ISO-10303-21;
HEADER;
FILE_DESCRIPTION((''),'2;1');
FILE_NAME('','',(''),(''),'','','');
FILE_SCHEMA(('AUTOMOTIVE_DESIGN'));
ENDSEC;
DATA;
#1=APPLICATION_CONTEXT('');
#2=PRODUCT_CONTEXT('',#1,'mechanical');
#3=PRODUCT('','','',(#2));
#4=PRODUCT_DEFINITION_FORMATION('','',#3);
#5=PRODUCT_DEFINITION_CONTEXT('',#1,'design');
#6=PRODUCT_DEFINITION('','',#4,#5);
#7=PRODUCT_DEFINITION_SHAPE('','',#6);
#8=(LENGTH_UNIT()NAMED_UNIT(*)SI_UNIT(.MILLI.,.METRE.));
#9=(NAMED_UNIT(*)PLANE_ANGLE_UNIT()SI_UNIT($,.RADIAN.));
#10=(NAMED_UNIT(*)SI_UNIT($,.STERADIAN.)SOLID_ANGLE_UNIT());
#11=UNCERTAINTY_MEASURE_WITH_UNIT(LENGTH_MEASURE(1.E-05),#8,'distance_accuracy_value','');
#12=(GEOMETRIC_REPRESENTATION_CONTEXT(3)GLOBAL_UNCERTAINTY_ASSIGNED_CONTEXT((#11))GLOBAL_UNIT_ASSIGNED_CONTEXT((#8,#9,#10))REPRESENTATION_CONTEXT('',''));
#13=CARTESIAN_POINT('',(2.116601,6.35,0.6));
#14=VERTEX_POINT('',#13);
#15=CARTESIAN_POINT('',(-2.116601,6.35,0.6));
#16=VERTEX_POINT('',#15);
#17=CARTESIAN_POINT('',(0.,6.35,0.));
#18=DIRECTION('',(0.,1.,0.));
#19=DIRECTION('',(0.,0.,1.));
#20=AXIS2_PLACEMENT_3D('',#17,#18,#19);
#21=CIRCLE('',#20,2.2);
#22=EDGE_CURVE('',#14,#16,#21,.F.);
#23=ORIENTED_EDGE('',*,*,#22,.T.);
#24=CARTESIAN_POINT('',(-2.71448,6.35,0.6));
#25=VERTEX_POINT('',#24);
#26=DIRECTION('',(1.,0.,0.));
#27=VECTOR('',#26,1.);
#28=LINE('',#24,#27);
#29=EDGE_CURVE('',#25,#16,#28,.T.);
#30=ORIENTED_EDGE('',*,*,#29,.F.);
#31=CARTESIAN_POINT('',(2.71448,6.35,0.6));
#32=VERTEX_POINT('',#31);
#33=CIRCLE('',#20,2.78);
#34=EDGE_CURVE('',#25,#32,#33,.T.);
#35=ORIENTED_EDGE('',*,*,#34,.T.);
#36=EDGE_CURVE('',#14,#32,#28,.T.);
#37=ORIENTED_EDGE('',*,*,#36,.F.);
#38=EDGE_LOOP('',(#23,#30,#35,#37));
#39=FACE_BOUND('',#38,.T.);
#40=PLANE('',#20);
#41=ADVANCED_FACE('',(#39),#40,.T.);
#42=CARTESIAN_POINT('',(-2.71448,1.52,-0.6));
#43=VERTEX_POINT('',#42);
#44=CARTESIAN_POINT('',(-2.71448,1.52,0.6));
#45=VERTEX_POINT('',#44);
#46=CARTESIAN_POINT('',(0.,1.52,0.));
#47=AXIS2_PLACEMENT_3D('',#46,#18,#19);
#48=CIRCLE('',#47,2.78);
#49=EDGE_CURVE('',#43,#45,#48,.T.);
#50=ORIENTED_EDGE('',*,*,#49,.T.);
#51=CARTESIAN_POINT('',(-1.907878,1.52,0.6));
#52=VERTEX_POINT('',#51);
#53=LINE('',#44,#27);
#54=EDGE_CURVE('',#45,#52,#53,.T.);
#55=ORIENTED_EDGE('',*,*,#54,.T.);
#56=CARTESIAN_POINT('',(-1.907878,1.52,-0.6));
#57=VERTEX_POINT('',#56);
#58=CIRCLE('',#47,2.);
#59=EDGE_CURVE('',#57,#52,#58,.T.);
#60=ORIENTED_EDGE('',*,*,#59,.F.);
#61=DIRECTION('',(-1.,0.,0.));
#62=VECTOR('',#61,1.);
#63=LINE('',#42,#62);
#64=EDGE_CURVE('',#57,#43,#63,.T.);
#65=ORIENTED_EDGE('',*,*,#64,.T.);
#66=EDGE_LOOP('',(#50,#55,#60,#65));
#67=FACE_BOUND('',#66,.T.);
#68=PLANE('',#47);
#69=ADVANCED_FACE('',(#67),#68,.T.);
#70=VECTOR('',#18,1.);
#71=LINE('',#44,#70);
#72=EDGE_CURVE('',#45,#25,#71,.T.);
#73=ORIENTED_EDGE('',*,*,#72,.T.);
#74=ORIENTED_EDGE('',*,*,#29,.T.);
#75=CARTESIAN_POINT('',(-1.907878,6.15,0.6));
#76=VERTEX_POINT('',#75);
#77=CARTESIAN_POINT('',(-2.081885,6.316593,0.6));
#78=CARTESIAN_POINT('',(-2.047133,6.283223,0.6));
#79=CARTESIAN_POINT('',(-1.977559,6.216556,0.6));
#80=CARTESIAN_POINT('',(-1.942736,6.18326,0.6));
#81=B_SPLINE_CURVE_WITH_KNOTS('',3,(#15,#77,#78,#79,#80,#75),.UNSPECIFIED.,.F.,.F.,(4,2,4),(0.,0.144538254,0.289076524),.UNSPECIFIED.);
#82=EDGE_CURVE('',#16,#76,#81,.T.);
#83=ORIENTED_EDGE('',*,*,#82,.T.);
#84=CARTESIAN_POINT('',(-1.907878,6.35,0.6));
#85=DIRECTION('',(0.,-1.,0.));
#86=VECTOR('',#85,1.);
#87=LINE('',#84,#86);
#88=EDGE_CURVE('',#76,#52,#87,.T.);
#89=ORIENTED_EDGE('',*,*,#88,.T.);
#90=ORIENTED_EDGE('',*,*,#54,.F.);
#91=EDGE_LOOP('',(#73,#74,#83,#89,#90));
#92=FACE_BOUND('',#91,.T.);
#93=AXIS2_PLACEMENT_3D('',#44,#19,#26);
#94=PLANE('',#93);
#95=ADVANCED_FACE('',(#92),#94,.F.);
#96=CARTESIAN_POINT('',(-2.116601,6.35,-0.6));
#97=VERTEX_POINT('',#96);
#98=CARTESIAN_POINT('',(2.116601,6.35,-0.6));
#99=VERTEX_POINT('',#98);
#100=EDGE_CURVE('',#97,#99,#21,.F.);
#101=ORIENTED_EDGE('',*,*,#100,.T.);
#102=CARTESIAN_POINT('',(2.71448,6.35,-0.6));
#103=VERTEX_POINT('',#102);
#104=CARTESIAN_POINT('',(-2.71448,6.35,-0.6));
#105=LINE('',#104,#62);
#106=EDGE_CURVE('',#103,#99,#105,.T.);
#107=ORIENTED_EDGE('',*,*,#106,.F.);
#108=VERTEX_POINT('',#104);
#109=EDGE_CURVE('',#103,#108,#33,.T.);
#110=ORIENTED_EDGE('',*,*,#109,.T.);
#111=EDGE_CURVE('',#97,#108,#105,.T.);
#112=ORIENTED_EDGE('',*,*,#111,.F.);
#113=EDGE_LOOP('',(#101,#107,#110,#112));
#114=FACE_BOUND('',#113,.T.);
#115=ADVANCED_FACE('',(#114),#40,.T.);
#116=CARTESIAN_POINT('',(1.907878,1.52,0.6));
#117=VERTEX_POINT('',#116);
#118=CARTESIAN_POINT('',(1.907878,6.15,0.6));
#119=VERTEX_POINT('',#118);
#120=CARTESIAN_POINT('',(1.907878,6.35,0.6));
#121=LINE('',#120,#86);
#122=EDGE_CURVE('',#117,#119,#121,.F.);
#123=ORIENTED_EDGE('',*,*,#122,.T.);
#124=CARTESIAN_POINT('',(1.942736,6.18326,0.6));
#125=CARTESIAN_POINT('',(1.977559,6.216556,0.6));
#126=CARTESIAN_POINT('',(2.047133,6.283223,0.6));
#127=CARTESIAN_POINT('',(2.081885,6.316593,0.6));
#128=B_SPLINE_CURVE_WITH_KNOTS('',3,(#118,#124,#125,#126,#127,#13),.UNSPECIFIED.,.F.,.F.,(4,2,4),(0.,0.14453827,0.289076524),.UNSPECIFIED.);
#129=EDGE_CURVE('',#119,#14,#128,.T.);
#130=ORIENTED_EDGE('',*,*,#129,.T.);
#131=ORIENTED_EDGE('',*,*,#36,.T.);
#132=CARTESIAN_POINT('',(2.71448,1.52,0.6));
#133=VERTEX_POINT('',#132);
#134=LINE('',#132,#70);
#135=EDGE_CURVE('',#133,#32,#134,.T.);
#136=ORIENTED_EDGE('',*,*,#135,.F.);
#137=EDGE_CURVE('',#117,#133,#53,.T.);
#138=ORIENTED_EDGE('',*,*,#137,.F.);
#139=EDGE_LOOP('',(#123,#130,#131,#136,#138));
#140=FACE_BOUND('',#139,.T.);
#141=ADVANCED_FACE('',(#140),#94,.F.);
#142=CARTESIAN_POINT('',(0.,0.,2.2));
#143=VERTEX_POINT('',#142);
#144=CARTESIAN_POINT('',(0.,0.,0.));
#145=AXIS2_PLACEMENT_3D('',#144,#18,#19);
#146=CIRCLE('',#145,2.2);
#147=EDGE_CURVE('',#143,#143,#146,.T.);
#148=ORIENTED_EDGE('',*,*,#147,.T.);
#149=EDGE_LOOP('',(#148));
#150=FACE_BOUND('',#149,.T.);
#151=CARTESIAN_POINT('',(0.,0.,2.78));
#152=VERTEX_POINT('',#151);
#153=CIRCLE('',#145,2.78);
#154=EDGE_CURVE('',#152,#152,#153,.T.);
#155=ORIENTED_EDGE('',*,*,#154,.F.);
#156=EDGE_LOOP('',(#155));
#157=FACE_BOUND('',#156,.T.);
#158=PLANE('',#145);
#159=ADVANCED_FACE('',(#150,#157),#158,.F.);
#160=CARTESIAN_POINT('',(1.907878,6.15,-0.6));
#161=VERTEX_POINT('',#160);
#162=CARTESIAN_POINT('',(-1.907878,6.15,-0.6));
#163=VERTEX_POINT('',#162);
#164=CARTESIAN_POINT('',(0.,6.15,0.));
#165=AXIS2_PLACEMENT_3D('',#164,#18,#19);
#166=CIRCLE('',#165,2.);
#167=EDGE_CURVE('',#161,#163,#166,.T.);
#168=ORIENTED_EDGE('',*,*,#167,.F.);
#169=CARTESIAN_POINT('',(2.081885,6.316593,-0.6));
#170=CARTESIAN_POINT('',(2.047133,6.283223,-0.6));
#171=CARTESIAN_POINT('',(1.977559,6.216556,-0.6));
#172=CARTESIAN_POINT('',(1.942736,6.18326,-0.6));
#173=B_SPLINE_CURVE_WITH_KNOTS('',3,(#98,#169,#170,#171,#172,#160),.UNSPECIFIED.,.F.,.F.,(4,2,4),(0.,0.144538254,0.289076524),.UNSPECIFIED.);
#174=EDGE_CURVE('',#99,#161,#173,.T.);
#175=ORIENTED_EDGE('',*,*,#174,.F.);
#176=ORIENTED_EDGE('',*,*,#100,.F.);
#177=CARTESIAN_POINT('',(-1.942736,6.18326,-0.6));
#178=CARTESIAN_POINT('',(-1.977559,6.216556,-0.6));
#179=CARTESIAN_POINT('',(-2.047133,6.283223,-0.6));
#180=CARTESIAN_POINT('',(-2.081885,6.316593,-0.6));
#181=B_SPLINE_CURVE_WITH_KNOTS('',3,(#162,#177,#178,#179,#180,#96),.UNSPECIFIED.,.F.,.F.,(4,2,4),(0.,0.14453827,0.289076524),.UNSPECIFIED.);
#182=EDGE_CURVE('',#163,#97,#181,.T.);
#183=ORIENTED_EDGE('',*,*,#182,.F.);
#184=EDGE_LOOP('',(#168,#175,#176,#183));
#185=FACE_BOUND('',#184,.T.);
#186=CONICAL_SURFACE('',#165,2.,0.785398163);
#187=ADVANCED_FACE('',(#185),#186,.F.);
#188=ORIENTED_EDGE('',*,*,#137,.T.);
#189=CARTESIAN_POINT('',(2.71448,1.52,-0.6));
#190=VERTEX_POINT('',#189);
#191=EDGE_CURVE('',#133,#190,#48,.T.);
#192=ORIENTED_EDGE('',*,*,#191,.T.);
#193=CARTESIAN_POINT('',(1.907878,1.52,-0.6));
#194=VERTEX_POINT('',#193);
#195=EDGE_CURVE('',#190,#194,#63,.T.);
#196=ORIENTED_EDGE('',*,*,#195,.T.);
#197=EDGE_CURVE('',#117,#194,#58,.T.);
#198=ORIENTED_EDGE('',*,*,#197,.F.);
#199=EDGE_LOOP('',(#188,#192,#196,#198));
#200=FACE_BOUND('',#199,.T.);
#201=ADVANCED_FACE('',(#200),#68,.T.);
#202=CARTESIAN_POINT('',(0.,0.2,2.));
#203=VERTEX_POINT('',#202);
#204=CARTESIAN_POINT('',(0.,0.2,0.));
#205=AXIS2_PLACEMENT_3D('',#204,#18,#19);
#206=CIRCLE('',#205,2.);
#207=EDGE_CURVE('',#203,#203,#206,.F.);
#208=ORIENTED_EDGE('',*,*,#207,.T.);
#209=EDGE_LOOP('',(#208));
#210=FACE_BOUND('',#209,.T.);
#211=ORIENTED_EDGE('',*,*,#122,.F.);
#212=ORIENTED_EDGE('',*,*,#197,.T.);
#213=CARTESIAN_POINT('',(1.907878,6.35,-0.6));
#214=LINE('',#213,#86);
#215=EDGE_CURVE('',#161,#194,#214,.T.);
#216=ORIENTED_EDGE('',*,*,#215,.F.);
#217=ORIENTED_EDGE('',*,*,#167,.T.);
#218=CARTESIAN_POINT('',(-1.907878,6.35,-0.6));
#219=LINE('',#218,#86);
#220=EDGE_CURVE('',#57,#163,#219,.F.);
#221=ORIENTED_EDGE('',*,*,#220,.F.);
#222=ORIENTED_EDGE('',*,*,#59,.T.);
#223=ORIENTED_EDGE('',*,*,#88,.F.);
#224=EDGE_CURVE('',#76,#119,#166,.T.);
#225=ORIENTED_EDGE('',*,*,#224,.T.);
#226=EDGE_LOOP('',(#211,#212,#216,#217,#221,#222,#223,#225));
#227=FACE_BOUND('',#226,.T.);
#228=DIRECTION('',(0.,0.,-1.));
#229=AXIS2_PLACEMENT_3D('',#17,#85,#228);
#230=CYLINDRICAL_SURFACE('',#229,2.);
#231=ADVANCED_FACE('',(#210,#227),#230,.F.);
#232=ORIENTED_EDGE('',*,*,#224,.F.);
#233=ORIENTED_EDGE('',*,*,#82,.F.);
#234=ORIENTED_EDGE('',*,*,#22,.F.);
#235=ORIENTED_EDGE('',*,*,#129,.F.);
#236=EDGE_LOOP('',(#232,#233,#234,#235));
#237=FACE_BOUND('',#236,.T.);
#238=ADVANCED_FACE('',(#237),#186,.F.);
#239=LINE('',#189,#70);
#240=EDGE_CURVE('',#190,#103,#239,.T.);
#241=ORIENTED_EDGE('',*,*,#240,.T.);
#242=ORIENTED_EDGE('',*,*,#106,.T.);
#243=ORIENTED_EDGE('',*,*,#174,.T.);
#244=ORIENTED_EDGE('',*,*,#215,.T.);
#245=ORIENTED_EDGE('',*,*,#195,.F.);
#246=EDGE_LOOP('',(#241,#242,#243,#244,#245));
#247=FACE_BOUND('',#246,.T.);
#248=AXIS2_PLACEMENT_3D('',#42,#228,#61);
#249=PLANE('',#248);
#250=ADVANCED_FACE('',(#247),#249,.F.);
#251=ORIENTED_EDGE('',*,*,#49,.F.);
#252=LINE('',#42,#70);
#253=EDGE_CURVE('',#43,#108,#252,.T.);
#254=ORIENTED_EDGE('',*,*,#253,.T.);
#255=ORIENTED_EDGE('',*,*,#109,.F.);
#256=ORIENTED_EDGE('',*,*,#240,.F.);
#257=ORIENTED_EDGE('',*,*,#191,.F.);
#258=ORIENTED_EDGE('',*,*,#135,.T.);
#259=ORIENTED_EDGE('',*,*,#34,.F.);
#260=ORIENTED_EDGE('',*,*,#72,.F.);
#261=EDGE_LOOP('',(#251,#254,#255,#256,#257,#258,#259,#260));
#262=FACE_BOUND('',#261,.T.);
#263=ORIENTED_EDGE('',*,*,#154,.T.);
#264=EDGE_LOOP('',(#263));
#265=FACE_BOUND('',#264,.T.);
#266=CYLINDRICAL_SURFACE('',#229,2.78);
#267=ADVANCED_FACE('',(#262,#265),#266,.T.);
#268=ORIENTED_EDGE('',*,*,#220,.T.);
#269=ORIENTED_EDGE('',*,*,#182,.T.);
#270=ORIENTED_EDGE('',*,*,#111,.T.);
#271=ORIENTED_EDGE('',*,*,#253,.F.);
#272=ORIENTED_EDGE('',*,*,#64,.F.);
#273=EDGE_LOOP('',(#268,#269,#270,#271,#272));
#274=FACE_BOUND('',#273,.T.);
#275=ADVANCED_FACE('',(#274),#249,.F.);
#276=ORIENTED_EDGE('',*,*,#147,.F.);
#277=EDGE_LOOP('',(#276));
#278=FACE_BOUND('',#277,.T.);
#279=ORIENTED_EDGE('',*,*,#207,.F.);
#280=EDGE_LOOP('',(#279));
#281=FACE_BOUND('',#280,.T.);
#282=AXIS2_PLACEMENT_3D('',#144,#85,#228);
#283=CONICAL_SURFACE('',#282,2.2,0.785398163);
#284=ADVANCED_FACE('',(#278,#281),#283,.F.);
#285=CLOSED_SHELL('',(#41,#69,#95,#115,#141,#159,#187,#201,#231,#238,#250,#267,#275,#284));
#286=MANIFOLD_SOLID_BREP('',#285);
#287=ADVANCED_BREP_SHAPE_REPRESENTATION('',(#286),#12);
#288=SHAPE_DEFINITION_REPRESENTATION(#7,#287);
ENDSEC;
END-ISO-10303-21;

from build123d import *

# Parameters (mm, degrees)
SKETCH_1_R          = 2.78
SKETCH_1_R_2        = 2
EXTRUDE_1_DEPTH     = 6.35
CUT_EXTRUDE_START   = -4.83
CUT_EXTRUDE_1_DEPTH = 4.83
CHAMFER_1_SIZE      = 0.2


with BuildPart() as part:
    # 草图1 → 凸台-拉伸1 (new body)
    with BuildSketch(Plane(origin=(0, 0, 0), x_dir=(1, 0, 0), z_dir=(0, 1, 0))):
        with Locations(Location((0, 0, 0), (0, 0, 270))):
            Circle(SKETCH_1_R)
        with Locations(Location((0, 0, 0), (0, 0, 270))):
            Circle(SKETCH_1_R_2, mode=Mode.SUBTRACT)
    extrude(amount=EXTRUDE_1_DEPTH)

    # 草图2 → 切除-拉伸1 (cut)
    with BuildSketch(Plane(origin=(0, 6.35, 0), x_dir=(1, 0, 0), z_dir=(0, 1, 0)).offset(CUT_EXTRUDE_START)):
        with BuildLine():
            Line((-2.714479692, 0.6), (2.714479692, 0.6))
            ThreePointArc((2.714479692, 0.6), (2.78, 0), (2.714479692, -0.6))
            Line((2.714479692, -0.6), (-2.714479692, -0.6))
            ThreePointArc((-2.714479692, -0.6), (-2.78, 0), (-2.714479692, 0.6))
        make_face()
    extrude(amount=CUT_EXTRUDE_1_DEPTH, mode=Mode.SUBTRACT)

    # 倒角1
    chamfer_1_edges = [part.edges().sort_by_distance(p)[0] for p in [
        (-1.183215957, 6.35, 1.61245155),
        (0, 0, -2),
        (0, 6.35, -2),
    ]]
    chamfer(chamfer_1_edges, length=CHAMFER_1_SIZE)


solid = part.part
